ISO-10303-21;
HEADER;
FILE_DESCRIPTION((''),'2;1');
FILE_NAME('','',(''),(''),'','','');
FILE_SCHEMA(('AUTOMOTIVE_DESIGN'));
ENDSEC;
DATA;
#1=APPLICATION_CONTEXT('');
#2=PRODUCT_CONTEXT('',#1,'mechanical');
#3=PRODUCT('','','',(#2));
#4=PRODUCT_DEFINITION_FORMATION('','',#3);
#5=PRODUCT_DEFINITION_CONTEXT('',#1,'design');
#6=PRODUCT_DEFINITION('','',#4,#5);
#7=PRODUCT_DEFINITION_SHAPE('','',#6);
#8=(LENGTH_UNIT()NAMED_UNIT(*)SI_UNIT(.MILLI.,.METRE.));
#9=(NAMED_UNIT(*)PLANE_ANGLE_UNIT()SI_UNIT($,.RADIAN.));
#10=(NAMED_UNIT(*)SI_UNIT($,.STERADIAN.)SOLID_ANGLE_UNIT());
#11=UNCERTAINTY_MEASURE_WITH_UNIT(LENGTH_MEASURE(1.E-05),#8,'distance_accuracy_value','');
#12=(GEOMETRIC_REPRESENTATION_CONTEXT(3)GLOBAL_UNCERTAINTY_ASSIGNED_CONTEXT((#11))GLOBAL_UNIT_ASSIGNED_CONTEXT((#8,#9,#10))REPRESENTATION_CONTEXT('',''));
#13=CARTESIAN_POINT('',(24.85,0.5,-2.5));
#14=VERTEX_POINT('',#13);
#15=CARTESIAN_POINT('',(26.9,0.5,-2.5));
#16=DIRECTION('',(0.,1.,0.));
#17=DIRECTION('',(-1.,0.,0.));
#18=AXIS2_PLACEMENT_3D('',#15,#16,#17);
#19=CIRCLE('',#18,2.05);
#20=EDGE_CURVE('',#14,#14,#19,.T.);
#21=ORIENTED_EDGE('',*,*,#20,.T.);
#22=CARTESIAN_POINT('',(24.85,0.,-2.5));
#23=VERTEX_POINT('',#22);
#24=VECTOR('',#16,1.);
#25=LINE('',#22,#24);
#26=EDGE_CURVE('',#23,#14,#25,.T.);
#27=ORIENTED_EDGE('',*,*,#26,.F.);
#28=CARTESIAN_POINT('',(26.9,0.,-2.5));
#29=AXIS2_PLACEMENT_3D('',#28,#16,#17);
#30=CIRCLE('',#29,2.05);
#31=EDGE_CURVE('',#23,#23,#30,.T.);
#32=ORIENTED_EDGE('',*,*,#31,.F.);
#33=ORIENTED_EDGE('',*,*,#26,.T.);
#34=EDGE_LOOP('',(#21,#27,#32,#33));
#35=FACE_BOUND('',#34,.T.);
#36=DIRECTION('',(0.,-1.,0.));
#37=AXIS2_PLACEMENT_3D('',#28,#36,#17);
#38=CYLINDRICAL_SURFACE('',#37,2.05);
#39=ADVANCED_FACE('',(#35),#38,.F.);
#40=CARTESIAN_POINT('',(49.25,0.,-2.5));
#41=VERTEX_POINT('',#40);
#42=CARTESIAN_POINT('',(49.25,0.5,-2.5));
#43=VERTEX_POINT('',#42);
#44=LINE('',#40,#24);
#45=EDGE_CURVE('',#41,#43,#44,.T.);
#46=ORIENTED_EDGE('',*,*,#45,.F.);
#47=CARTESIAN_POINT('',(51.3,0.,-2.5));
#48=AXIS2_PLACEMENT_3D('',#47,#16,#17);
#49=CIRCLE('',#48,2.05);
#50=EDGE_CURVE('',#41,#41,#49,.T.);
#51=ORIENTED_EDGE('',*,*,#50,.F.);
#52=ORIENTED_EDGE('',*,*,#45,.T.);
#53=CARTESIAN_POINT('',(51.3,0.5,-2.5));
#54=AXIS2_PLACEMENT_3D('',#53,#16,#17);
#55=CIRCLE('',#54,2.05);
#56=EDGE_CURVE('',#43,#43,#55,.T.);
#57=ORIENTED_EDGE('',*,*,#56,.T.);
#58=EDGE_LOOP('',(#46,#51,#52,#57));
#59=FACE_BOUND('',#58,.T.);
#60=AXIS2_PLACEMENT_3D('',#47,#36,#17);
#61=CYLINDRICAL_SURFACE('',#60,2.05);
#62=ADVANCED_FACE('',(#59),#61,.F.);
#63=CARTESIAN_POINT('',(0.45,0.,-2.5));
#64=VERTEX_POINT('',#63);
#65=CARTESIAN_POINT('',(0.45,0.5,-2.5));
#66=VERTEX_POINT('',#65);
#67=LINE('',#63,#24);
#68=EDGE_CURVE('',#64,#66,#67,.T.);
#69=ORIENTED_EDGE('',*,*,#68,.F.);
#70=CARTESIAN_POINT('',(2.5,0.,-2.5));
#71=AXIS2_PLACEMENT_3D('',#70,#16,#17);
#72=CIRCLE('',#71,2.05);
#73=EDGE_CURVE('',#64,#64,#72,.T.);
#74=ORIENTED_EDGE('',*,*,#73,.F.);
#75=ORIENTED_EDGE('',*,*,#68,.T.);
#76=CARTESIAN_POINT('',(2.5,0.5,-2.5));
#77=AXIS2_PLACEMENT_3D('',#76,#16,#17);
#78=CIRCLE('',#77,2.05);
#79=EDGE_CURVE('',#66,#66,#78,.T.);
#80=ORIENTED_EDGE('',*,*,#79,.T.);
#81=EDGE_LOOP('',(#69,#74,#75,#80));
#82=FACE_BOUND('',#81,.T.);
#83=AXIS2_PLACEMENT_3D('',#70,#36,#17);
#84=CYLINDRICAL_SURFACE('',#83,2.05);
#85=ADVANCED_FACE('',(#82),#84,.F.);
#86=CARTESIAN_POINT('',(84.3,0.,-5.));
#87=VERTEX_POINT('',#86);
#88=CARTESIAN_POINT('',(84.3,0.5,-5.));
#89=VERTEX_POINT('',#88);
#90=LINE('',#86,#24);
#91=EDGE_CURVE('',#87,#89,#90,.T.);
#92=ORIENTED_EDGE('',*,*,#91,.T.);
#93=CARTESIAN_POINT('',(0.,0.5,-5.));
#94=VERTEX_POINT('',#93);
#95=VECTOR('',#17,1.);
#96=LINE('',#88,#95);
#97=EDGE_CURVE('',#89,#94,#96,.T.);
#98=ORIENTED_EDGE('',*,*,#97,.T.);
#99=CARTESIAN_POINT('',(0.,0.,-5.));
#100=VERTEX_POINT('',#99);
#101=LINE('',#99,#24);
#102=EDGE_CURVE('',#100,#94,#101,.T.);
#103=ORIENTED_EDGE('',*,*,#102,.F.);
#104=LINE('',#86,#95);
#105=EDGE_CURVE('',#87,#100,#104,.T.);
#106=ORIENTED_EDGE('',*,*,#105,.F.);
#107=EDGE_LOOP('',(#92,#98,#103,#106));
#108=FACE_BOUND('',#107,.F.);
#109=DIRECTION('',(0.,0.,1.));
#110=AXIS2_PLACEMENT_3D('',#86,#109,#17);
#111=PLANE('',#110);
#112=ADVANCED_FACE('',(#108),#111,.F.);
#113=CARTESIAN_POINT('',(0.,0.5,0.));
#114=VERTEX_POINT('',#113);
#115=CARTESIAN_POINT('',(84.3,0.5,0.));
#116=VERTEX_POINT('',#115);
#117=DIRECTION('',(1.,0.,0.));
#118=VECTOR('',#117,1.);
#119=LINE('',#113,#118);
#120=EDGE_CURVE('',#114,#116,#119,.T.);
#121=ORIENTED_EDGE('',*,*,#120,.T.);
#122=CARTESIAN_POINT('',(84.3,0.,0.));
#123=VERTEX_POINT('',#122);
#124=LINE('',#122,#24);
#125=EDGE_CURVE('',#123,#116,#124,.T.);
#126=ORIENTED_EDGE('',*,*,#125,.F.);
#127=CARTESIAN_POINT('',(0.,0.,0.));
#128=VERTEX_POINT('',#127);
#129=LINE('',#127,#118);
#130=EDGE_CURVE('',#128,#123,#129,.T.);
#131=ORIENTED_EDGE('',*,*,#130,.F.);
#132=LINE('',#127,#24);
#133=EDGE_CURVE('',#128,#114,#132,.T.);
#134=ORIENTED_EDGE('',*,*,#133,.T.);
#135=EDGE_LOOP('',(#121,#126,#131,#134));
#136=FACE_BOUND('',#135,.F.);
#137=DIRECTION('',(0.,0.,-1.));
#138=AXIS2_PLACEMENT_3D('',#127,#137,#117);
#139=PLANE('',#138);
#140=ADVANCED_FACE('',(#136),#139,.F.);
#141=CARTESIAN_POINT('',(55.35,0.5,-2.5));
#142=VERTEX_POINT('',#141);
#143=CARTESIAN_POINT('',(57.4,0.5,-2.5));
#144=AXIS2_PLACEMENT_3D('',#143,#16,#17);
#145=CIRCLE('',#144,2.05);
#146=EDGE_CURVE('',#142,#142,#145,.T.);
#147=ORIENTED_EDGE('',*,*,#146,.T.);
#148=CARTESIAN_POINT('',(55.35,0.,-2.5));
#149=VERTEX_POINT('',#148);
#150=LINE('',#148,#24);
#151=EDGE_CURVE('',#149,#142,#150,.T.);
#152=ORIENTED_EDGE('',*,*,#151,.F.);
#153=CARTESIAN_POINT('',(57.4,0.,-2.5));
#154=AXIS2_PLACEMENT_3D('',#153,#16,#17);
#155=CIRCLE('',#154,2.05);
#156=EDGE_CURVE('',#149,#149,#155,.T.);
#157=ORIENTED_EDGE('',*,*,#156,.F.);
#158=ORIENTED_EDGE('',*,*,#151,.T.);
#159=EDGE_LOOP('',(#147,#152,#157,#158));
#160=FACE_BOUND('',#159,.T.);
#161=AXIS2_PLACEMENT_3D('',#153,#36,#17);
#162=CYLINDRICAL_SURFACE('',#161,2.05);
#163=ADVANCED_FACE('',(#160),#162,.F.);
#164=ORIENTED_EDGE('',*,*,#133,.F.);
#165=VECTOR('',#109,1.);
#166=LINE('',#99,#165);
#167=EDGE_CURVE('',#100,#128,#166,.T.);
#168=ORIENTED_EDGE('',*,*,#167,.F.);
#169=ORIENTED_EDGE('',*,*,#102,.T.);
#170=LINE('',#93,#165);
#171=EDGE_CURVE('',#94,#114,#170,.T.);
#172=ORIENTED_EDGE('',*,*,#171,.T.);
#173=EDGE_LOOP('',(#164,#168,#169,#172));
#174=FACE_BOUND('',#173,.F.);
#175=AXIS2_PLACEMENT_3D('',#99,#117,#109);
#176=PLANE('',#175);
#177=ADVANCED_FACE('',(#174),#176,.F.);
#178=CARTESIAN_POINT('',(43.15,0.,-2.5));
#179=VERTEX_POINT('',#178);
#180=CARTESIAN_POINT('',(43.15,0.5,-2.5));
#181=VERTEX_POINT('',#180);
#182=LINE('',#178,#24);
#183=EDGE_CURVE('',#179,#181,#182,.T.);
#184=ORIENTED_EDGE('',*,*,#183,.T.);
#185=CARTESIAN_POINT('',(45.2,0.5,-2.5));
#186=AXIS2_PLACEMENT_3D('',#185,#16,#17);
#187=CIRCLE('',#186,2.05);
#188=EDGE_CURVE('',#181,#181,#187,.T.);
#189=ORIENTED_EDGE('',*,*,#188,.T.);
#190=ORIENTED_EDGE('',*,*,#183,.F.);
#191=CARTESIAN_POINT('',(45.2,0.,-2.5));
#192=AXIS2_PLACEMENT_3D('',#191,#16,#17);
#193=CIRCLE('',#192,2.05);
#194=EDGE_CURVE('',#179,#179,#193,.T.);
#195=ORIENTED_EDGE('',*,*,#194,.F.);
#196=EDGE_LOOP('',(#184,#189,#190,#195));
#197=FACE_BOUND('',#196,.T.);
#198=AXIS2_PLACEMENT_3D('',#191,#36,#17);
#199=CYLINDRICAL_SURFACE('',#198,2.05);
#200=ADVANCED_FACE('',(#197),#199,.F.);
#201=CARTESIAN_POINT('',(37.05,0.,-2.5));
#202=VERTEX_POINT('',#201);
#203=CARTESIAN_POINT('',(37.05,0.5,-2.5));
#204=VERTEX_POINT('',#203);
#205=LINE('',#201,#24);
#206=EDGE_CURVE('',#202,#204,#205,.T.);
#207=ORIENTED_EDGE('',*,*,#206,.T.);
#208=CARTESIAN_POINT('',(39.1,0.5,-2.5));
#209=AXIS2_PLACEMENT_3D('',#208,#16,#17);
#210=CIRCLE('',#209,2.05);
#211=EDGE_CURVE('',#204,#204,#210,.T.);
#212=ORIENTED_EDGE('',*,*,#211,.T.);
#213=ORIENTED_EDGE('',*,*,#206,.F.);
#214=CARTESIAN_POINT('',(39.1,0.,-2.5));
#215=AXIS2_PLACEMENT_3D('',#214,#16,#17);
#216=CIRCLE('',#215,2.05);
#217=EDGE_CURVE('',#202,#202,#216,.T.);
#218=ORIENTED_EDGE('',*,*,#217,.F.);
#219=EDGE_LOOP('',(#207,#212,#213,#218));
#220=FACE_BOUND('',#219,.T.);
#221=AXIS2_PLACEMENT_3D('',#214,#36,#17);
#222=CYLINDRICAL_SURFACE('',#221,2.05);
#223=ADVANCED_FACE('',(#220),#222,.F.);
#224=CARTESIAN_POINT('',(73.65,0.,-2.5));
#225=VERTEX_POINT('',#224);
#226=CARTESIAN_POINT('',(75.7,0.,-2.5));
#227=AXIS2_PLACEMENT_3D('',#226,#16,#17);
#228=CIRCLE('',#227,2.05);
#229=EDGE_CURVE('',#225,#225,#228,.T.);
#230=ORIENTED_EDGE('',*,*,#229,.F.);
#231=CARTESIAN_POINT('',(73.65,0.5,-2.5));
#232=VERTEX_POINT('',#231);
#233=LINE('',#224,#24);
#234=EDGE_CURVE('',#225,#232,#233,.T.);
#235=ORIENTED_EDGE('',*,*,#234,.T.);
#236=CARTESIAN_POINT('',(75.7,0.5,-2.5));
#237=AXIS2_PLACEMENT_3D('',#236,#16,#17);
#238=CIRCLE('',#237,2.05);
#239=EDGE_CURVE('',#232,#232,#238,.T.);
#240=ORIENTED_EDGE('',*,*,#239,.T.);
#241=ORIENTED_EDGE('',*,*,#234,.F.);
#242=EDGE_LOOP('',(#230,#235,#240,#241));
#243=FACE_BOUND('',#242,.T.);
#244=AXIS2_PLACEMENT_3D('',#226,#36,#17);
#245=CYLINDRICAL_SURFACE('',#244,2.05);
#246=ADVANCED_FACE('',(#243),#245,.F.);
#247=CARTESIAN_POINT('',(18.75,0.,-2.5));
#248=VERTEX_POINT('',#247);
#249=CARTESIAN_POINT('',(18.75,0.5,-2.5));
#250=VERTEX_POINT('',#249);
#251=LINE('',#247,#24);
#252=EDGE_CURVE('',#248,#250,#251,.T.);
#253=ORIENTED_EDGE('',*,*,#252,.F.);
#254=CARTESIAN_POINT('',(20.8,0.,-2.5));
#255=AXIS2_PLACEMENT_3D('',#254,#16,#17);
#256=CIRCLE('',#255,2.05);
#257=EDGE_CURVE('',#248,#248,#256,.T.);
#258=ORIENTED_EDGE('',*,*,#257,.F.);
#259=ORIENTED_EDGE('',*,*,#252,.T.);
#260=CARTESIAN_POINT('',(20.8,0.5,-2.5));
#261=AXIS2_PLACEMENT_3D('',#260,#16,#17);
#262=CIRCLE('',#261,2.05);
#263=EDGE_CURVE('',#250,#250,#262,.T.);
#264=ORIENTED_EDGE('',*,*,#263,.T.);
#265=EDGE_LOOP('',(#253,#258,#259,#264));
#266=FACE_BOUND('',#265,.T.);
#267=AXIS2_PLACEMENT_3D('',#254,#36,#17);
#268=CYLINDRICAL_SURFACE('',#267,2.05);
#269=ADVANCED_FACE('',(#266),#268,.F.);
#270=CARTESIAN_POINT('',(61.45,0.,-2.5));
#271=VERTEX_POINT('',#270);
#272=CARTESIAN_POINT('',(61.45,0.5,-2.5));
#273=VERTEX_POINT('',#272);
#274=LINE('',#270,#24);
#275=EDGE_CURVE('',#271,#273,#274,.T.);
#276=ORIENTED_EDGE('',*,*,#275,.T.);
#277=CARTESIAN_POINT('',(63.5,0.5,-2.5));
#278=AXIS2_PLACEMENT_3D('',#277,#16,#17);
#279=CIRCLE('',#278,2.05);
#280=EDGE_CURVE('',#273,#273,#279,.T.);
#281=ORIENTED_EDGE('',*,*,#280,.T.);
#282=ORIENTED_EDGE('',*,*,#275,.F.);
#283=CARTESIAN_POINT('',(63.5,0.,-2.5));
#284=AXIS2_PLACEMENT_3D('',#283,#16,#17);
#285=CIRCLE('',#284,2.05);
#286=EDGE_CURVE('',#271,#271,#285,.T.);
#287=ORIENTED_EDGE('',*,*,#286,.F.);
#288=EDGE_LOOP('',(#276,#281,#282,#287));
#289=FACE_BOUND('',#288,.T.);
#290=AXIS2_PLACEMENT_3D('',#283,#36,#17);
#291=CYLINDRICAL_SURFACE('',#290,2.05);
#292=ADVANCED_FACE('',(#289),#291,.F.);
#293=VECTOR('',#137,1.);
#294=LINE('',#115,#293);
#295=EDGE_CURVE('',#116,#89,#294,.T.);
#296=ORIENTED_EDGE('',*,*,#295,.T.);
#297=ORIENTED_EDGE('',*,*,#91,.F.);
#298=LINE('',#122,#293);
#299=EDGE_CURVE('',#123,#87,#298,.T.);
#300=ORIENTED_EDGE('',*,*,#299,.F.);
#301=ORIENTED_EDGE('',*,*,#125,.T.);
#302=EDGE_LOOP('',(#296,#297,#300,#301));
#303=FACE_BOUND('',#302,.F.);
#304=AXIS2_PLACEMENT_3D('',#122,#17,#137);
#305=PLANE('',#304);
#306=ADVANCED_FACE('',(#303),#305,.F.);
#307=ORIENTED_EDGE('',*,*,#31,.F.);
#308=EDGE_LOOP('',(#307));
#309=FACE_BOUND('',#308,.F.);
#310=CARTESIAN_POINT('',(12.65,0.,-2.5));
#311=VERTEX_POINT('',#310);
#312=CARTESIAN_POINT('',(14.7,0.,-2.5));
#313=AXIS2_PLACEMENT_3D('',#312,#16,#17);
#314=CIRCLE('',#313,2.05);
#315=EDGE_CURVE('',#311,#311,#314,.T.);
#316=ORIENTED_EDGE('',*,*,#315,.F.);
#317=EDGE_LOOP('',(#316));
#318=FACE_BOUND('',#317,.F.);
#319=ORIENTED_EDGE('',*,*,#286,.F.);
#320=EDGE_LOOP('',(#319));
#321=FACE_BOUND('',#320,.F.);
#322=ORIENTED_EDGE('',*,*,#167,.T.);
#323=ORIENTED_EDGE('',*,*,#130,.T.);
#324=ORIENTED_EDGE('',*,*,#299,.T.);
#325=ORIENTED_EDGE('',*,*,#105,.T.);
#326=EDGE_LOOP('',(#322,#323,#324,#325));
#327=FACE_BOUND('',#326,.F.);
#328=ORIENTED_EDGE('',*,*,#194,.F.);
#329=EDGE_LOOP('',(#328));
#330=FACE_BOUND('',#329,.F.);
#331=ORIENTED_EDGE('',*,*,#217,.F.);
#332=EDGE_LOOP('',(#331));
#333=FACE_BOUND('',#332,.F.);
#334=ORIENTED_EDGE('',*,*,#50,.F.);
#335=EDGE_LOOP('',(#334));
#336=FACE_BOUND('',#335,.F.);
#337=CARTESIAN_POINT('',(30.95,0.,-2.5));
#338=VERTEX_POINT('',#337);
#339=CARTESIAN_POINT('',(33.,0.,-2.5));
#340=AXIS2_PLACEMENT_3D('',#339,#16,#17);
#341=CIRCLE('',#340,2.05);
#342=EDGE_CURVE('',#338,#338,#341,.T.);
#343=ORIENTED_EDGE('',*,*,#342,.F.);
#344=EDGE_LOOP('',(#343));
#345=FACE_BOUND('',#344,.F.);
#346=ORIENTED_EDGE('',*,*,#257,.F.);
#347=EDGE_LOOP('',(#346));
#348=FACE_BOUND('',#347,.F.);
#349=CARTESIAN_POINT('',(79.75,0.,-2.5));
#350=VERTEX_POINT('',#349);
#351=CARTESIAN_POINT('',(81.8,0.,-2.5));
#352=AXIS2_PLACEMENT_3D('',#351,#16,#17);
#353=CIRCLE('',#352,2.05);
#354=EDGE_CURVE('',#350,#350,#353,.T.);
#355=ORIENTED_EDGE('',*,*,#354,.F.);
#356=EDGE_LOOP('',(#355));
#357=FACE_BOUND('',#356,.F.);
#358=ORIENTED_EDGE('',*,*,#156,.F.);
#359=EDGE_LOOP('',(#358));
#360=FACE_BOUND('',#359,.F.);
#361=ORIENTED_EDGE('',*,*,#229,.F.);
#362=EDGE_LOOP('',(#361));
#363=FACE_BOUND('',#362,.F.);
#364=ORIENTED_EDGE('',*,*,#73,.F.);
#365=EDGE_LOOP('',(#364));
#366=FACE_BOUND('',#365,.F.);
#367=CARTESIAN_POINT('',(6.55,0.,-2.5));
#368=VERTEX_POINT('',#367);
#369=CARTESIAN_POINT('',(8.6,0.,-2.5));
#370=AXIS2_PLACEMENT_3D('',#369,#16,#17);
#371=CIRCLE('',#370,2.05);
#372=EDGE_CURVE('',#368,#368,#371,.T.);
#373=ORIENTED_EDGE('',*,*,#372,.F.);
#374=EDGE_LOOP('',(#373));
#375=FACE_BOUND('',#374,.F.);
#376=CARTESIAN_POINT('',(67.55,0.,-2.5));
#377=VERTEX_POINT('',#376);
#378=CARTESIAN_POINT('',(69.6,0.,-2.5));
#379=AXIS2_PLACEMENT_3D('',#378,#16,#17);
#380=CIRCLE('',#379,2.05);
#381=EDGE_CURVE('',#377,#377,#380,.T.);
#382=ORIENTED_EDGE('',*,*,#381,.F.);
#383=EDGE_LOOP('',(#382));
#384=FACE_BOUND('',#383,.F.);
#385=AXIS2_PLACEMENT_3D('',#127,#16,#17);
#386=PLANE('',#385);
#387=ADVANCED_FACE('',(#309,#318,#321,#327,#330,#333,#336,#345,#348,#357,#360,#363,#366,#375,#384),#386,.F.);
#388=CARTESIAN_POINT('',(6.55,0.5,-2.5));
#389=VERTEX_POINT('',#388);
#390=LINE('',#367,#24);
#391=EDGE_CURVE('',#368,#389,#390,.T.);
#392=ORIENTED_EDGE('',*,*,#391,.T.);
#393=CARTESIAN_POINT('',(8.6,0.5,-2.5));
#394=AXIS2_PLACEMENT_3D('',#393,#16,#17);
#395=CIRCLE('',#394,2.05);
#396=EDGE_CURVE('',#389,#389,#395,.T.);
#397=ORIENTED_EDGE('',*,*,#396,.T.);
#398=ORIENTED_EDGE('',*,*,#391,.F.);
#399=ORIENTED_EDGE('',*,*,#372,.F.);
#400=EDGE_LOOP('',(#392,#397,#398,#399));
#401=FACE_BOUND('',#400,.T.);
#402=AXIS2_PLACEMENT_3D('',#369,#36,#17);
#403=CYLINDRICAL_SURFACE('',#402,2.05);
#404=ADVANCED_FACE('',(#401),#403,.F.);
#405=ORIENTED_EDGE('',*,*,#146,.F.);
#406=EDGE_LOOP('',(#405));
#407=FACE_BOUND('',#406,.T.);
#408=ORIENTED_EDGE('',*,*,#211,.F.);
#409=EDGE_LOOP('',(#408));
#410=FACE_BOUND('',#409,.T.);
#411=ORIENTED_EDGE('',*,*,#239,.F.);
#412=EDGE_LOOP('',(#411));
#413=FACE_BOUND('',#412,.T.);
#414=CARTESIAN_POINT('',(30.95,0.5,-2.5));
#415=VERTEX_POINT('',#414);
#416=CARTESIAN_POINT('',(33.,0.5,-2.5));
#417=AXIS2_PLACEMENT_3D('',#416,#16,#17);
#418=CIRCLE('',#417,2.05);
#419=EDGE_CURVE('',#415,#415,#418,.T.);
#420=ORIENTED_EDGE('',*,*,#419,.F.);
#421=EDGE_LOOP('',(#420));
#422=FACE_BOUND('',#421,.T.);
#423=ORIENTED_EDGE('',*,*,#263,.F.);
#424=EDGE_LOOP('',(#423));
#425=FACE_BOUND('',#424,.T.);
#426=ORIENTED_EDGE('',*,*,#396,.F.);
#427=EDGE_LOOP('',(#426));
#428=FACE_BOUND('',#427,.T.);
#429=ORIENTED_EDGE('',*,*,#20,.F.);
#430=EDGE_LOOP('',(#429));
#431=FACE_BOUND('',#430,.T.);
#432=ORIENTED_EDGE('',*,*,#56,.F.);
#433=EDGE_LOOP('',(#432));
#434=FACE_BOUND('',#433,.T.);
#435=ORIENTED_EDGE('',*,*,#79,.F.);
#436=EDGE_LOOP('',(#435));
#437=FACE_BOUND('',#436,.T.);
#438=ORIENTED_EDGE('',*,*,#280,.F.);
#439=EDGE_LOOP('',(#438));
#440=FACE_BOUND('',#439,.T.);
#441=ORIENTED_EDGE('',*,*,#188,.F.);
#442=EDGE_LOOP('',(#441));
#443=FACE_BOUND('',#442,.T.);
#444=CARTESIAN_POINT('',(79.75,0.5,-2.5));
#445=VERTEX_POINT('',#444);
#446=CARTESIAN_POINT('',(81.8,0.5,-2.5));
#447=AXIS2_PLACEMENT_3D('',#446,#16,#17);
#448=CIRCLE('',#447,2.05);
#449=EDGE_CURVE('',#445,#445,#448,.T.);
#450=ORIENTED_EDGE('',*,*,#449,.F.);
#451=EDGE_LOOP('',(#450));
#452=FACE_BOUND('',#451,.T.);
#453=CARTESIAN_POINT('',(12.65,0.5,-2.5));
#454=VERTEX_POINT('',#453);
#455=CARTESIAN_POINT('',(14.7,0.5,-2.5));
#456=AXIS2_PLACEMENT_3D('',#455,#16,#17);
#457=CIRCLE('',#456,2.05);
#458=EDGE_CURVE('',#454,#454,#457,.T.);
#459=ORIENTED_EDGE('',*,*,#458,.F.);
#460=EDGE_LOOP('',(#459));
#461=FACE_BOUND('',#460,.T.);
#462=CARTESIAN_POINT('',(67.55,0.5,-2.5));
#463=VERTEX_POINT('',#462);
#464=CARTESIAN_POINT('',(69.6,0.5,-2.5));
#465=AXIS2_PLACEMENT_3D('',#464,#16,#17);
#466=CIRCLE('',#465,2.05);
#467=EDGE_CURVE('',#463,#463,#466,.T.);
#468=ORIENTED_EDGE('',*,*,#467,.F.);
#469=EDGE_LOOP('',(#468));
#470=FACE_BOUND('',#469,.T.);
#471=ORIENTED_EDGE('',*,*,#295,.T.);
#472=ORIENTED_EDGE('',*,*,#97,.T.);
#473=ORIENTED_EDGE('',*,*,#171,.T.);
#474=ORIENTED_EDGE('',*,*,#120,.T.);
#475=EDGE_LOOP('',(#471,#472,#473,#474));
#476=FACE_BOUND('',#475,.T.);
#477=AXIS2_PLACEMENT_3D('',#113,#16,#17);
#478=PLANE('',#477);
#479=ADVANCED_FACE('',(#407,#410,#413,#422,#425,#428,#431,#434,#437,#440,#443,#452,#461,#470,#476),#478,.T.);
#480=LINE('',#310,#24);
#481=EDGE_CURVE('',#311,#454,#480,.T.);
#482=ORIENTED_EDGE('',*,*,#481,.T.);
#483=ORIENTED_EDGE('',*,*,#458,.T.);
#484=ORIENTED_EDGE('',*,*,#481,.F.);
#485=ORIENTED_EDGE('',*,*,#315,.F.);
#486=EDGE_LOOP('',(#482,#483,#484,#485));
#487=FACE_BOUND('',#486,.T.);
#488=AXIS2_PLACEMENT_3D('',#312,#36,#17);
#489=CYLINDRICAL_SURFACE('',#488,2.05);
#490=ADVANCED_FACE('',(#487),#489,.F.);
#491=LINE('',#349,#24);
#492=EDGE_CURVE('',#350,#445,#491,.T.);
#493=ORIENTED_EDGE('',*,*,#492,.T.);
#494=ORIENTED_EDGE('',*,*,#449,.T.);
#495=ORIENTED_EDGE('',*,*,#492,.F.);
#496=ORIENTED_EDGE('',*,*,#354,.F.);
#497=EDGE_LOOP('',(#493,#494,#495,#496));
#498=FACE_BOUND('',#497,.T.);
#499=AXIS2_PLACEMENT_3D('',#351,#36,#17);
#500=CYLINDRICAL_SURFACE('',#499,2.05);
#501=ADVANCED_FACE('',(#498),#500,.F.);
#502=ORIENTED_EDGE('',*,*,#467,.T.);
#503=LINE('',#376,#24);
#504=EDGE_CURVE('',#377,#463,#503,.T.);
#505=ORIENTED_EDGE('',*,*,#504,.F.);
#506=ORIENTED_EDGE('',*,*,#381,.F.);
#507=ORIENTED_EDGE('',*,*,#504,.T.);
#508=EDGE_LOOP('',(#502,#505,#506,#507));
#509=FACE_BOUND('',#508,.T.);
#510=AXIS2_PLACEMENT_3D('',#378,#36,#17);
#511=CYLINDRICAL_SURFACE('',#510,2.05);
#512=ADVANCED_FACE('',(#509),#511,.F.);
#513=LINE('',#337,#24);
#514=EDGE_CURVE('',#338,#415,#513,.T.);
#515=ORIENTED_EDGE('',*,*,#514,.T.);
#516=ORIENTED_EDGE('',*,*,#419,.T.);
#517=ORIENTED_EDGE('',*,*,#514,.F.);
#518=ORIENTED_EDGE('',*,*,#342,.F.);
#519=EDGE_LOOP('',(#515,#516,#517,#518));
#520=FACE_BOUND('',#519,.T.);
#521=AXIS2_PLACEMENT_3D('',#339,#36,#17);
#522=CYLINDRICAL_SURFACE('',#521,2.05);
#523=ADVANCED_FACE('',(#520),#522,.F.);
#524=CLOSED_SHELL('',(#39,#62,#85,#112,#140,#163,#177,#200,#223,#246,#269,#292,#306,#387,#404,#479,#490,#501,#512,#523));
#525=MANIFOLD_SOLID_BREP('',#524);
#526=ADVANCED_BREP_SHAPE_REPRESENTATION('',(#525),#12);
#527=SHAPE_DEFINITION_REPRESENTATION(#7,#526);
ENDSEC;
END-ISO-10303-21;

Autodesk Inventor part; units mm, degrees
ref_plane "YZ Plane" through (0, 0, 0) normal (1, 0, 0) x (0, 1, 0)
ref_plane "XZ Plane" through (0, 0, 0) normal (0, 1, 0) x (-1, 0, 0)
ref_plane "XY Plane" through (0, 0, 0) normal (0, 0, 1) x (1, 0, 0)
sketch "Sketch1" plane through (0, 0, 0) normal (0, 1, 0) x (-1, 0, 0)
  line L0 (0, 0) -> (-84.3, 0)
  line L1 (-84.3, 0) -> (-84.3, -5)
  line L2 (-84.3, -5) -> (0, -5)
  line L3 (0, -5) -> (0, 0)
  circle A0 centre (-2.5, -2.5) radius 2.05
  circle A1 centre (-8.6, -2.5) radius 2.05
  circle A2 centre (-14.7, -2.5) radius 2.05
  circle A3 centre (-20.8, -2.5) radius 2.05
  circle A4 centre (-26.9, -2.5) radius 2.05
  circle A5 centre (-33, -2.5) radius 2.05
  circle A6 centre (-39.1, -2.5) radius 2.05
  circle A7 centre (-45.2, -2.5) radius 2.05
  circle A8 centre (-51.3, -2.5) radius 2.05
  circle A9 centre (-57.4, -2.5) radius 2.05
  circle A10 centre (-63.5, -2.5) radius 2.05
  circle A11 centre (-69.6, -2.5) radius 2.05
  circle A12 centre (-75.7, -2.5) radius 2.05
  circle A13 centre (-81.8, -2.5) radius 2.05
  dimension "d1" = 5
  dimension "d3" = 4.1
  dimension "d4" = 2.5
  dimension "d5" = 2.5
  dimension "d8" = 6.1
  dimension "d13" = 2.5
  dimension "d16" = 6.1
  dimension "d17" = 4.1
  dimension "d18" = 2.5
extrude "Extrusion1" add sketch "Sketch1" along normal blind 0.5
equation "\"d5\" = d4"
equation "\"d18\" = d5"
properties part number "separator-kul" material "Polycarbonate, Smoke"
